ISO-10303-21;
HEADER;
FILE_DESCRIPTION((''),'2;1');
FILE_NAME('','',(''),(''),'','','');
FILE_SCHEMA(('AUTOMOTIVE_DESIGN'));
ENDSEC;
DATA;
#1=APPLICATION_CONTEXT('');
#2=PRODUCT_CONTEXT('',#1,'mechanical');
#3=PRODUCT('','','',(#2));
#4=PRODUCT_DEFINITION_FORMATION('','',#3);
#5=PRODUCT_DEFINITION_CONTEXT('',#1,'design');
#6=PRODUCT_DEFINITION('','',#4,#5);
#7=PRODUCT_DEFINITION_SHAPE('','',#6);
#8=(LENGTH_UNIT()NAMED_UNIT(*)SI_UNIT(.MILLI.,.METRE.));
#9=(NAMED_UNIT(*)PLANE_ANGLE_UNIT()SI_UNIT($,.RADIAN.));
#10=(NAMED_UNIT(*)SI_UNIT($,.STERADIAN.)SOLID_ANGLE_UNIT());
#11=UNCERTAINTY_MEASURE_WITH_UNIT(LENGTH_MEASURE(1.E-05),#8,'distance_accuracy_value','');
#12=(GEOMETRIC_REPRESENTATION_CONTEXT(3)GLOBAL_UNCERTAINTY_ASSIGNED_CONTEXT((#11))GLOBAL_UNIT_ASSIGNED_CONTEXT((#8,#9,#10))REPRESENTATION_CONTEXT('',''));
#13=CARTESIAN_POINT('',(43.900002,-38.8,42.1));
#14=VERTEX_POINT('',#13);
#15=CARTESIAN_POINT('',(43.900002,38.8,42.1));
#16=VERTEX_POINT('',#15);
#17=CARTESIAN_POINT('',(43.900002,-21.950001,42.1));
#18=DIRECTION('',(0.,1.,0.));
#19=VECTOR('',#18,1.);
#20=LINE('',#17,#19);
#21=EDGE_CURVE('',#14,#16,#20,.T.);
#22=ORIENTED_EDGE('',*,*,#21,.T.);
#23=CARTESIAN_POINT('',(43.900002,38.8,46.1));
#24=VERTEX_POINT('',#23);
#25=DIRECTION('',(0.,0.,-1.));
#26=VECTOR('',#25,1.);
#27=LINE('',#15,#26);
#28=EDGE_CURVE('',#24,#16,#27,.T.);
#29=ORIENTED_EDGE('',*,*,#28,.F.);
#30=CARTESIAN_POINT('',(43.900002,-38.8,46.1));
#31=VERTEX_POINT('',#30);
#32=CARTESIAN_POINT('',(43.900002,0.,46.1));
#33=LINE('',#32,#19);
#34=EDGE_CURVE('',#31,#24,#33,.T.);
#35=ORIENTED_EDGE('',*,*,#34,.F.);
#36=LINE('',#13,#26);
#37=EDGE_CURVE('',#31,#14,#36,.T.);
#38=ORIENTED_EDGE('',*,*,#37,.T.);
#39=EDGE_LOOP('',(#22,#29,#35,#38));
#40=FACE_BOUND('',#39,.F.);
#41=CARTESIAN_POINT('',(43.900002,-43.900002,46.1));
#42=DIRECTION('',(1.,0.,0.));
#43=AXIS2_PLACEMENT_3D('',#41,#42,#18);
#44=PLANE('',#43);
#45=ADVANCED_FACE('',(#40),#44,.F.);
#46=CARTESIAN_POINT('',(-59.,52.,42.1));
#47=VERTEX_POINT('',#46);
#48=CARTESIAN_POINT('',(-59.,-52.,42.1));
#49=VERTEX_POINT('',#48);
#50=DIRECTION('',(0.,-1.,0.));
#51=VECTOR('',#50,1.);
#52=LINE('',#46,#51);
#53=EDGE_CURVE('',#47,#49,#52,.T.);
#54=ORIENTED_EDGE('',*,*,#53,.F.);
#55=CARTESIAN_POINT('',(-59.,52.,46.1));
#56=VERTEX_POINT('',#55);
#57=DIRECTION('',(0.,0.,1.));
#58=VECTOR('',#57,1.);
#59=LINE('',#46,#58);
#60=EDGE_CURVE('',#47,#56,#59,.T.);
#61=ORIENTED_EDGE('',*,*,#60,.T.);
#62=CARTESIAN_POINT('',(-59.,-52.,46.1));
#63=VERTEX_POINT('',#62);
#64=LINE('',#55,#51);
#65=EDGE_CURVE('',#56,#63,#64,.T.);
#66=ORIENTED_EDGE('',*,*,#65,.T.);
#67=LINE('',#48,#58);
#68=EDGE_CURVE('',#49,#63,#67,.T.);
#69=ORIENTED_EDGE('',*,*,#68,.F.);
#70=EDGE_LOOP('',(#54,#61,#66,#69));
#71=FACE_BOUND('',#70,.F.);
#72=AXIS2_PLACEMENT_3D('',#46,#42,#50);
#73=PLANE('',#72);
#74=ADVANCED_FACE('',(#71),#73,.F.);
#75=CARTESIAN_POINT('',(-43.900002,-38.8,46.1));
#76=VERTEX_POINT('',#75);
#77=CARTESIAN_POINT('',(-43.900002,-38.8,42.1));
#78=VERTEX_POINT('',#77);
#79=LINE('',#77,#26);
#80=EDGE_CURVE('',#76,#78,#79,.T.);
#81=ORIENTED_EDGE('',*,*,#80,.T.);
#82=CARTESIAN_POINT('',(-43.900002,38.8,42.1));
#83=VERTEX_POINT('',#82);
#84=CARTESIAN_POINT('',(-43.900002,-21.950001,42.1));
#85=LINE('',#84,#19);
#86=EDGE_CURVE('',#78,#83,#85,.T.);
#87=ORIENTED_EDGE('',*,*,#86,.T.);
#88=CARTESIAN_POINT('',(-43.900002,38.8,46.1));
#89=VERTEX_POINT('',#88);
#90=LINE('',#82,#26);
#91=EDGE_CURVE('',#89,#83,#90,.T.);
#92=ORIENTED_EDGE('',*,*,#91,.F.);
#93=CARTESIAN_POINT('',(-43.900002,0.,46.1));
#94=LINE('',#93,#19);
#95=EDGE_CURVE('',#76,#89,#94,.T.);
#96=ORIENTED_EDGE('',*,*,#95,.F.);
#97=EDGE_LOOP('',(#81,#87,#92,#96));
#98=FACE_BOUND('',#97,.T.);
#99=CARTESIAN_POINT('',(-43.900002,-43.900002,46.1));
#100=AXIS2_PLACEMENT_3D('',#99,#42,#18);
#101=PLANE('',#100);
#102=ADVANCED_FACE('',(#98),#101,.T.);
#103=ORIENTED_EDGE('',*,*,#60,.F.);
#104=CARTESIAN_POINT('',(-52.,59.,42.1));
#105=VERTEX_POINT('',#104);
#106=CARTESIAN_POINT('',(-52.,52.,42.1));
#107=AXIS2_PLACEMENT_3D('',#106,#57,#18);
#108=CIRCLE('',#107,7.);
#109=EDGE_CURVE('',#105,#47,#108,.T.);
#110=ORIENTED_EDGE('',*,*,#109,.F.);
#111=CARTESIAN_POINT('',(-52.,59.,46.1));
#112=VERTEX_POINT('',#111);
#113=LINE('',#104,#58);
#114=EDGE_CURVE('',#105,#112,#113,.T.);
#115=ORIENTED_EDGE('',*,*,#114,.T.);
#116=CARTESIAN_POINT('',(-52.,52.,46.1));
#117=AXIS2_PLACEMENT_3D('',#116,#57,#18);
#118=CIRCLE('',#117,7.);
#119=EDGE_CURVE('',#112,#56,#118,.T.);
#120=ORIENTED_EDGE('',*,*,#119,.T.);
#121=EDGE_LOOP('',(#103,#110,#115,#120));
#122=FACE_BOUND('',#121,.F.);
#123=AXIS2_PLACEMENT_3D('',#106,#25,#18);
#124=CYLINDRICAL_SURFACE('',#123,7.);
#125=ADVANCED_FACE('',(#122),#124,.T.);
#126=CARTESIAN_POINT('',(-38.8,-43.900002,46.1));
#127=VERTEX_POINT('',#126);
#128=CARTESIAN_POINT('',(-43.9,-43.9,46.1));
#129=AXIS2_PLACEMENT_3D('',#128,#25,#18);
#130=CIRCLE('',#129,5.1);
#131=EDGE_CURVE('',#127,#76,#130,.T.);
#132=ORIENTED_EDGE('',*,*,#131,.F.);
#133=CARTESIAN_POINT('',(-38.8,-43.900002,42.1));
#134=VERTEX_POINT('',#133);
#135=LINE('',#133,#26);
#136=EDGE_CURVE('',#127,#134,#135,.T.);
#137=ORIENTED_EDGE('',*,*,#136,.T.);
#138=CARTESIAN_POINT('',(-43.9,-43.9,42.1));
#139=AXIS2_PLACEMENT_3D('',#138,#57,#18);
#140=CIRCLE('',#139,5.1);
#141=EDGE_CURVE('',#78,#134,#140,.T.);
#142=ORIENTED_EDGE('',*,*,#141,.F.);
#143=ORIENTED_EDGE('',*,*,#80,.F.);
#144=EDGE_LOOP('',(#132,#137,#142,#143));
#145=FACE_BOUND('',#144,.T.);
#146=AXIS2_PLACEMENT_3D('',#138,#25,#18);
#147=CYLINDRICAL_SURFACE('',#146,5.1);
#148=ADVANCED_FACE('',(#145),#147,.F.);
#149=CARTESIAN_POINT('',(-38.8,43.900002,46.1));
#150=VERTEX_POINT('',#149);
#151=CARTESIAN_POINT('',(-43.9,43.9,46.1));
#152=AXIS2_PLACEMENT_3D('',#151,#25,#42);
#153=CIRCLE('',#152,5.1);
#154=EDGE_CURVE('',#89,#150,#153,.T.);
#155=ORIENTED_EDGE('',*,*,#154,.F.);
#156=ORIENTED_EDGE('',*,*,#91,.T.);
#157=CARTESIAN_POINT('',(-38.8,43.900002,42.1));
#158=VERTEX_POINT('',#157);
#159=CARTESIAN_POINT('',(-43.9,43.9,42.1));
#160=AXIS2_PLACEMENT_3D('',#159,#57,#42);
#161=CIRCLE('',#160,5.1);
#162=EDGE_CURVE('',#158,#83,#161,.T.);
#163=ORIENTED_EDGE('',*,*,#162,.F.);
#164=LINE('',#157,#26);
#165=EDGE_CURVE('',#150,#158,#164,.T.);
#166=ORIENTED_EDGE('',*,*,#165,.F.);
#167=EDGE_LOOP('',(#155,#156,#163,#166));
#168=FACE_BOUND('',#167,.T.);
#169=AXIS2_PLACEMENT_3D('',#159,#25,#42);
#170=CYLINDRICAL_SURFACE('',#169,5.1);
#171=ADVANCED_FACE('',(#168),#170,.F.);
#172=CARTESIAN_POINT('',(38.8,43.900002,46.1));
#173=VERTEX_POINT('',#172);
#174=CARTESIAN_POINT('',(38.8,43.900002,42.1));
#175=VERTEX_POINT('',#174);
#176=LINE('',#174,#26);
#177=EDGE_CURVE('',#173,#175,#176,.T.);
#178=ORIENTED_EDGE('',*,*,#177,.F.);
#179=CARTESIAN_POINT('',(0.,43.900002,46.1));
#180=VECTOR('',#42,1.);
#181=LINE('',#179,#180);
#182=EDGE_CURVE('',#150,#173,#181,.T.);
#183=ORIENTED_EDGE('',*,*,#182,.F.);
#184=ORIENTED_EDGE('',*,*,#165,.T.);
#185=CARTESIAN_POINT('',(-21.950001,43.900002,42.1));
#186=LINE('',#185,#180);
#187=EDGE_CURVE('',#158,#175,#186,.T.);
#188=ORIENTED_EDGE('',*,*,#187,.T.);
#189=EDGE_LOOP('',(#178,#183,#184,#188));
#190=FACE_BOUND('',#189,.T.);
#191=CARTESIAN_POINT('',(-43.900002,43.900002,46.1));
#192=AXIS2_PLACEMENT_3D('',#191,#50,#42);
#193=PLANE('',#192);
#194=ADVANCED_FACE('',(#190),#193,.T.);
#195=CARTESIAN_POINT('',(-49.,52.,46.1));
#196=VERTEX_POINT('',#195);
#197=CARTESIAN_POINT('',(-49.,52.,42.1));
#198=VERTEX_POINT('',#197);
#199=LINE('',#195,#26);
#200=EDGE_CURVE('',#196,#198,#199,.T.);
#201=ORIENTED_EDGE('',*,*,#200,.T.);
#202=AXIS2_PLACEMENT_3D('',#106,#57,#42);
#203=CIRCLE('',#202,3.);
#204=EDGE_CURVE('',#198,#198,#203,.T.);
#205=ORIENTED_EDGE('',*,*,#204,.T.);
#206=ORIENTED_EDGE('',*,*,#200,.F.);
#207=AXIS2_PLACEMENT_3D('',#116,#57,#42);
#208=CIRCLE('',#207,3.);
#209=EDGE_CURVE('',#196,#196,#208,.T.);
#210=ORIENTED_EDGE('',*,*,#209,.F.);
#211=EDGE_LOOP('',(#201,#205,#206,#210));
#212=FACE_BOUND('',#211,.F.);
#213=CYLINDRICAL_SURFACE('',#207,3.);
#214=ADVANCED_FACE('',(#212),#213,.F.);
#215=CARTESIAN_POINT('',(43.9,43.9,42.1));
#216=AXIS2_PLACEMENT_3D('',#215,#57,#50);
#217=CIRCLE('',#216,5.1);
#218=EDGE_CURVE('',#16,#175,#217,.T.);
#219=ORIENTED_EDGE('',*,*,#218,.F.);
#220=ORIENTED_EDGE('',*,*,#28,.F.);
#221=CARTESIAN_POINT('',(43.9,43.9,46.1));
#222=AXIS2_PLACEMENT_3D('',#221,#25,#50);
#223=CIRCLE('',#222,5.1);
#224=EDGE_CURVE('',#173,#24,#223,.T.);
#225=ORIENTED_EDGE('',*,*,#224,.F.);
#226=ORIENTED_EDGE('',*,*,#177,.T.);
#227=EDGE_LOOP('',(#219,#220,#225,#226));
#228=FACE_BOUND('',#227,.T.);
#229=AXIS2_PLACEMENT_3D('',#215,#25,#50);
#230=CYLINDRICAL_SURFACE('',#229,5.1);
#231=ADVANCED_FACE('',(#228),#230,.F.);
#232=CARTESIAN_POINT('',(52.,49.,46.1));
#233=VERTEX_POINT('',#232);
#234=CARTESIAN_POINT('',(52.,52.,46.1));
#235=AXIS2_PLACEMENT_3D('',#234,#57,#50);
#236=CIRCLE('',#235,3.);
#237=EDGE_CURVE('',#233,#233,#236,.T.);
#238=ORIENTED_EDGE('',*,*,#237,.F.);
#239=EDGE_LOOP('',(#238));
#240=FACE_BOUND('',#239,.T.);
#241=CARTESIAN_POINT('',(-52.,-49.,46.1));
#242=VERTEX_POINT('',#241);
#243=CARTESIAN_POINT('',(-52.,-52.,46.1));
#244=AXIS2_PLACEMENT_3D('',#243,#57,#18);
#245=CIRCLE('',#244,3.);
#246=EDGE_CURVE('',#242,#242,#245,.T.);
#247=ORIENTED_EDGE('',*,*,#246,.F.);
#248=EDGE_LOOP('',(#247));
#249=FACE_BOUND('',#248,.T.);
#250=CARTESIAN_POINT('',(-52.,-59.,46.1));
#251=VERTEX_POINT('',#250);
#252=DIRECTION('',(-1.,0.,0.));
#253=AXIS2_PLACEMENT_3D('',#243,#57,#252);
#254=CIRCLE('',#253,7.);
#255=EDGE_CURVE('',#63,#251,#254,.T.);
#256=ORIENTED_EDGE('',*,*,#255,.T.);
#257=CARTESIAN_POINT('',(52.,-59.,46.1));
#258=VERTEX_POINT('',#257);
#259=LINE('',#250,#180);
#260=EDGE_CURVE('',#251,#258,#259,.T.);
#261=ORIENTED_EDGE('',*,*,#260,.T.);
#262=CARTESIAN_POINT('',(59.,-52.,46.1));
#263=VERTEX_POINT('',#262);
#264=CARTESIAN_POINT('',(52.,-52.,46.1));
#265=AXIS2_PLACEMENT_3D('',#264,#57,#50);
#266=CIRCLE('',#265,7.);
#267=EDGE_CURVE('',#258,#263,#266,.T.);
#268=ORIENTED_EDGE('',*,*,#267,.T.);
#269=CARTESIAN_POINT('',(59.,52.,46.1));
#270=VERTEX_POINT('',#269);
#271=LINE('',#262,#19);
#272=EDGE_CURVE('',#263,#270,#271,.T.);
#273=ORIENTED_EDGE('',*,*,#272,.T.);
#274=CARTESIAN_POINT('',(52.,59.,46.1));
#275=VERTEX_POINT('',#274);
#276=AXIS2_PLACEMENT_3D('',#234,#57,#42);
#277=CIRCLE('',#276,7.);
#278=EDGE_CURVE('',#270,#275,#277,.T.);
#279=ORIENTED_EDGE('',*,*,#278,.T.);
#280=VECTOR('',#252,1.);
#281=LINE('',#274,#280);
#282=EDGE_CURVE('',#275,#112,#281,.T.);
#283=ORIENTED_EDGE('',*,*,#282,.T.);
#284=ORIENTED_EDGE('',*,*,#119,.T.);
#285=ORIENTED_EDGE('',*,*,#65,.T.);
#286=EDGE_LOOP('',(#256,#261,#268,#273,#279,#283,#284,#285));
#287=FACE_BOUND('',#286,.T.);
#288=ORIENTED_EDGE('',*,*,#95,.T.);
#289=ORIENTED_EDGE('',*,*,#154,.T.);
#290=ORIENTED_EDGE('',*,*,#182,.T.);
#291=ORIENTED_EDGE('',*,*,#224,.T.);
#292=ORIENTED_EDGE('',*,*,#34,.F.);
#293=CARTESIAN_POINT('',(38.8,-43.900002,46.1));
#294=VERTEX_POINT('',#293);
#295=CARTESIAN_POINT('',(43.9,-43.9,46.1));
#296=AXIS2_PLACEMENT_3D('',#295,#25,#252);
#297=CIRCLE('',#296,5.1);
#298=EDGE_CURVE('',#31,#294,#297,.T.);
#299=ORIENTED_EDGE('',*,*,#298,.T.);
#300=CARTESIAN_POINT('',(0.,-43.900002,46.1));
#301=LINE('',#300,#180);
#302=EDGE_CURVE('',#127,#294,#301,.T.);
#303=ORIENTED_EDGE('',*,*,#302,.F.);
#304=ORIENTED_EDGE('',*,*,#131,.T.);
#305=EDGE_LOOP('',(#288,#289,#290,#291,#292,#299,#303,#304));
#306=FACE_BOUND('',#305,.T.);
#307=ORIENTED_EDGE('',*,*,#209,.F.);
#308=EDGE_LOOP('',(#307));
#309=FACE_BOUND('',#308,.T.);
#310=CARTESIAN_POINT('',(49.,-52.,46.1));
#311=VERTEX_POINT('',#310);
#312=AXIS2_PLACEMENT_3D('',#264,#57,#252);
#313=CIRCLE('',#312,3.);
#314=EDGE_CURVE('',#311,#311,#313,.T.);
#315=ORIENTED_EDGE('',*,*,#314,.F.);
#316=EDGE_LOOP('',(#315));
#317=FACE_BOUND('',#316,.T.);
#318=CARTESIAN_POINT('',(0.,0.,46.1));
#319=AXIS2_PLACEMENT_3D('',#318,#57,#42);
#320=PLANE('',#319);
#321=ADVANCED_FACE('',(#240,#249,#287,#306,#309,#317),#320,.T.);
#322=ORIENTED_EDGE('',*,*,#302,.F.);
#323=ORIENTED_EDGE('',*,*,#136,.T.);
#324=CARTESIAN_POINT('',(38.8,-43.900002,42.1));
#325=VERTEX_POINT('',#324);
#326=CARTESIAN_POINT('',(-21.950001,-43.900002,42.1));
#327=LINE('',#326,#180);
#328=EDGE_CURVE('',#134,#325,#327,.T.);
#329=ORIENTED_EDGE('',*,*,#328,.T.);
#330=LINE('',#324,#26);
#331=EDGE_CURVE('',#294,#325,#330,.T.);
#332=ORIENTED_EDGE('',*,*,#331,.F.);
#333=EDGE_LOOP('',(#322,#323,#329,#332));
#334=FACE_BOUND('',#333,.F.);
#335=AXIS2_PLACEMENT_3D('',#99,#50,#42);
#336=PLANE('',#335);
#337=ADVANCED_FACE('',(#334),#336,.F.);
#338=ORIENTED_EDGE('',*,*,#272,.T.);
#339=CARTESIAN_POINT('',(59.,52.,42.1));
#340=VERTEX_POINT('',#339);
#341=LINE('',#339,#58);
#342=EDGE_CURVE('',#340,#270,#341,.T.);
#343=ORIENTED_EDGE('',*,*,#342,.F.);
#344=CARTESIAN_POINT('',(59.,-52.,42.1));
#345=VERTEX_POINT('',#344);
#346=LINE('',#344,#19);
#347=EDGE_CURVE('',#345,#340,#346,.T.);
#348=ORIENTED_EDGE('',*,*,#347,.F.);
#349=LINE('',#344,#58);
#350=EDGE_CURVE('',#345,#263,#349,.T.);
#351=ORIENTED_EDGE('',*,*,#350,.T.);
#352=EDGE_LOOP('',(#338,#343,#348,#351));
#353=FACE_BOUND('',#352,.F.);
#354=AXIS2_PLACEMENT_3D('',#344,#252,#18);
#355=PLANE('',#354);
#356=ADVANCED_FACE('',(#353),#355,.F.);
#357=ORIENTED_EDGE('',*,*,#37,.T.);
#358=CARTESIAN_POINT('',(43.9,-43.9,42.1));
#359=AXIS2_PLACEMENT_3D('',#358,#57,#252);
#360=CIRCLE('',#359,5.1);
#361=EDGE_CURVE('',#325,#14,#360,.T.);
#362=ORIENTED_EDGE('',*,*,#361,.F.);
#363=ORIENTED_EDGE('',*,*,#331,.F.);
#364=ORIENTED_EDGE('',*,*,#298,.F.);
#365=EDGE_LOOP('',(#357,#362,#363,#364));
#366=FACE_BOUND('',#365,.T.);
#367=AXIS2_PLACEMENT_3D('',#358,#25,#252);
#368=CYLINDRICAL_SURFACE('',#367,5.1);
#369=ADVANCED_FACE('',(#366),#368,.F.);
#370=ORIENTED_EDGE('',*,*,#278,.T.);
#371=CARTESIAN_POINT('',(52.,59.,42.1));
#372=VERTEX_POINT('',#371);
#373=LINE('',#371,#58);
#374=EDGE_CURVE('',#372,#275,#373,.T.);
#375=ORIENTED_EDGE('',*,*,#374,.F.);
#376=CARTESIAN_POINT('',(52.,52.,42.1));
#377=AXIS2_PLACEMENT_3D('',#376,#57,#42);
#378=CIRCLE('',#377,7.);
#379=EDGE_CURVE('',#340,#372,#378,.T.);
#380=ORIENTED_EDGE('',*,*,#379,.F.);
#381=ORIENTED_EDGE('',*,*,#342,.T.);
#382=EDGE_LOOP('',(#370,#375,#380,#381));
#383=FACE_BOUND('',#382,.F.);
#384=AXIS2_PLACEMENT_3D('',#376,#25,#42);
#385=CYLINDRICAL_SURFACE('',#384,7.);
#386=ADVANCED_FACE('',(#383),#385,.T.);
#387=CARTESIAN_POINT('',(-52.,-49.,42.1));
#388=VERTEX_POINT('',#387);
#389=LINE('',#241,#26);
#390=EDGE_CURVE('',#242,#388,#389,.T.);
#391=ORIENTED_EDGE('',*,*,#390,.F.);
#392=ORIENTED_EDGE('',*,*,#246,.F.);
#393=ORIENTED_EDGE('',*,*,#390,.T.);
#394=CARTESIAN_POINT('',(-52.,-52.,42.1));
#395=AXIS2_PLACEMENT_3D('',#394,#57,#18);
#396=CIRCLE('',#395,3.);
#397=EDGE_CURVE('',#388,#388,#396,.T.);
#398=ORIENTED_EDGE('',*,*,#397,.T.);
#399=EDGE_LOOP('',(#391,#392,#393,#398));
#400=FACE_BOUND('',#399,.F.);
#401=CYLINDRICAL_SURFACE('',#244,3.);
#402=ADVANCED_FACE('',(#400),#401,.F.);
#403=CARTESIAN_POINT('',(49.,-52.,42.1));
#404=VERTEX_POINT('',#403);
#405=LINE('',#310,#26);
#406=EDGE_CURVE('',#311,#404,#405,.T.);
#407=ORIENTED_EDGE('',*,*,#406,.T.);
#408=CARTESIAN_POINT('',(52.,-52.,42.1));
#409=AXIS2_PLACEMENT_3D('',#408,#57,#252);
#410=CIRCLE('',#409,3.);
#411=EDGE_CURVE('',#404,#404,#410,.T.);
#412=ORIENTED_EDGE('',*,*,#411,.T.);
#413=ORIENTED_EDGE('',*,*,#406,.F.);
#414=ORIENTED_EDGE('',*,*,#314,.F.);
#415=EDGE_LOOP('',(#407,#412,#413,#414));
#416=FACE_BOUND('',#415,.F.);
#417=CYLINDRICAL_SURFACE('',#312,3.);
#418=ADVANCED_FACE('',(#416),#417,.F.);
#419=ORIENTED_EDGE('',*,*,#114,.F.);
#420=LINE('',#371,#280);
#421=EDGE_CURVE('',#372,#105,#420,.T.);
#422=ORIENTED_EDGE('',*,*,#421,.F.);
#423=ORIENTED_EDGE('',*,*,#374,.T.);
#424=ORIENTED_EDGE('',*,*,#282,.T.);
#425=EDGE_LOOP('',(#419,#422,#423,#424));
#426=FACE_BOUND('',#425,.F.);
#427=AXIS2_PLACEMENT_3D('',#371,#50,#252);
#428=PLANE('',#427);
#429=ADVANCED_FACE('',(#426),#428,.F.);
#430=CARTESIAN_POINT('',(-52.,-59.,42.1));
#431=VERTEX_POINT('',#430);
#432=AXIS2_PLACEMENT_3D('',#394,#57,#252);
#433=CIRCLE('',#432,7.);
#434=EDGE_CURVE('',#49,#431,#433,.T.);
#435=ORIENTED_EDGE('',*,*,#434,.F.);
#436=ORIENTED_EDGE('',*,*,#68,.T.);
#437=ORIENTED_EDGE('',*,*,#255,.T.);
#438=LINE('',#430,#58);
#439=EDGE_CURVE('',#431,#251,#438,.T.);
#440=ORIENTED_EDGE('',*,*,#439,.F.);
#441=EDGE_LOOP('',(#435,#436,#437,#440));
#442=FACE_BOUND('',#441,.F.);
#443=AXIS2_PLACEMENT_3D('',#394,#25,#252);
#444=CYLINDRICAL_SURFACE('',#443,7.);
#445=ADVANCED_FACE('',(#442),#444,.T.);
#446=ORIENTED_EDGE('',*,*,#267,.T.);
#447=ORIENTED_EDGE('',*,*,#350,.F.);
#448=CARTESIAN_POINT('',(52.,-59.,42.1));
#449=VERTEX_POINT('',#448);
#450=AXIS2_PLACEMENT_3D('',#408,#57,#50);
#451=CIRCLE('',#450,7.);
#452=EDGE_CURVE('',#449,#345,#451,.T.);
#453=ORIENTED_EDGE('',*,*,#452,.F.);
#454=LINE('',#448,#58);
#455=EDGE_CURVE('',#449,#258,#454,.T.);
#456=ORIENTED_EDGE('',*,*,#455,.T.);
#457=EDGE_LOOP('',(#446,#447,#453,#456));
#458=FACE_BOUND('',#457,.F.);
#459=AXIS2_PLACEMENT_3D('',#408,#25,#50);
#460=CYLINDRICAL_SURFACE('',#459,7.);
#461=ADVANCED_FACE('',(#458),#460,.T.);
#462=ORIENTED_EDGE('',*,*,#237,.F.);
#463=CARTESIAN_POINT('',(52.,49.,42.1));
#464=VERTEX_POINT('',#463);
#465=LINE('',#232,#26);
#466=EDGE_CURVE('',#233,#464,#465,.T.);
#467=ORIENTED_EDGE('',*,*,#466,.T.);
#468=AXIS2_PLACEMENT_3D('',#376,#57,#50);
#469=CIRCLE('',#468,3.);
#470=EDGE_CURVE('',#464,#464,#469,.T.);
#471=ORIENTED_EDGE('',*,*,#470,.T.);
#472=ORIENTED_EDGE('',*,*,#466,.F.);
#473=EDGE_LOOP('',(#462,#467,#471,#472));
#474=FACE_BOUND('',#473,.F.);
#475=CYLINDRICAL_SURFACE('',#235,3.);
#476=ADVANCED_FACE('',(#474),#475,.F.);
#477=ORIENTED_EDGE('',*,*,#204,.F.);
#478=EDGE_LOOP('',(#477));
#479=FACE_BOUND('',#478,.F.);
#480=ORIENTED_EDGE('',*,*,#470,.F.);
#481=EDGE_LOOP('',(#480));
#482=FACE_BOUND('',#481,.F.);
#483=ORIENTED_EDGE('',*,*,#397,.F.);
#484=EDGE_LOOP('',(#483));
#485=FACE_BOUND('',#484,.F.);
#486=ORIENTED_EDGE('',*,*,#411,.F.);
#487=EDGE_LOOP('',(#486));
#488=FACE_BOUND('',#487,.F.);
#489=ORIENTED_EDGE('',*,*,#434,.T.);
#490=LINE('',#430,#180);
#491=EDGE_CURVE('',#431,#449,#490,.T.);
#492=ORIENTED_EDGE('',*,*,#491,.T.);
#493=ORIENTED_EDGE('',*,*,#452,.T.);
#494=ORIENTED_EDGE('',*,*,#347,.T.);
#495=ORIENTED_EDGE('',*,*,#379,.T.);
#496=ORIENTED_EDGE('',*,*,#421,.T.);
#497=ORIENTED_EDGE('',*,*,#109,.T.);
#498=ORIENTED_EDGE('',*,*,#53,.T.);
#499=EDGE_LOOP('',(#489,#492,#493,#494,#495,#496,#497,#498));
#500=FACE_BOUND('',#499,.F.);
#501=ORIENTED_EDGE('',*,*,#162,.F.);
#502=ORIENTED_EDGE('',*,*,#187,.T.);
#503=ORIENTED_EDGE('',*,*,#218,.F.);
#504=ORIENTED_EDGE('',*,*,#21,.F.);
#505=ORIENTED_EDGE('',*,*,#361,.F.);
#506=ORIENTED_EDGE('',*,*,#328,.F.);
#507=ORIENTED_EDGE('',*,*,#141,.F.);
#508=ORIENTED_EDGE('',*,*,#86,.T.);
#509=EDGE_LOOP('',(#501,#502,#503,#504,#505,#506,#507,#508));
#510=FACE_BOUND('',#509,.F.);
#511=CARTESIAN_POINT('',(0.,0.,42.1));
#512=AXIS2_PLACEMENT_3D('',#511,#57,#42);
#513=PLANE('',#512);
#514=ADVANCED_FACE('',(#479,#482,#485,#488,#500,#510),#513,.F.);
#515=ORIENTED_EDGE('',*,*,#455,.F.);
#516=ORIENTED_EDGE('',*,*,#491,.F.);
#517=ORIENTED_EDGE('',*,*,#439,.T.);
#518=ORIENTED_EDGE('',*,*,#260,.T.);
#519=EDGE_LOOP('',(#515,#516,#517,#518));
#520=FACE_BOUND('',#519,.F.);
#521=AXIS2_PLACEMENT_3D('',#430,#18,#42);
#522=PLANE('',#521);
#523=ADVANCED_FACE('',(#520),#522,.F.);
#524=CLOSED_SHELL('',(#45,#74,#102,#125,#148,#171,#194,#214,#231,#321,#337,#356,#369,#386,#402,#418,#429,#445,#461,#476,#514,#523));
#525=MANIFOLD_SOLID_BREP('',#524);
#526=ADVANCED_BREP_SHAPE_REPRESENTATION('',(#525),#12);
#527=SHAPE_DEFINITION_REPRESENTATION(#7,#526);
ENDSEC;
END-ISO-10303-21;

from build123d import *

# Parameters (mm, degrees)
PAD017_DEPTH          = 4
SKETCH037_R           = 5.1
POCKET015_DEPTH       = 5
POLARPATTERN010_COUNT = 4
SKETCH038_W           = 87.800004
SKETCH038_H           = 87.800004
POCKET016_DEPTH       = 5
SKETCH039_R           = 3
POCKET017_DEPTH       = 337.8512658378
POLARPATTERN011_COUNT = 4


with BuildPart() as part:
    # Sketch036 → Pad017 (new body)
    with BuildSketch(Plane.XY):
        with BuildLine():
            Line((-59, 52), (-59, -52))
            ThreePointArc((-59, -52), (-56.9497474683, -56.9497474683), (-52, -59))
            Line((-52, -59), (52, -59))
            ThreePointArc((52, -59), (56.9497474683, -56.9497474683), (59, -52))
            Line((59, -52), (59, 52))
            ThreePointArc((59, 52), (56.9497474683, 56.9497474683), (52, 59))
            Line((52, 59), (-52, 59))
            ThreePointArc((-52, 59), (-56.9497474683, 56.9497474683), (-59, 52))
        make_face()
    extrude(amount=PAD017_DEPTH)

    # Sketch037 → Pocket015 (cut)
    with BuildSketch(Plane.XY):
        with Locations((-43.9, 43.9)):
            Circle(SKETCH037_R)
    pocket015 = extrude(amount=POCKET015_DEPTH, mode=Mode.SUBTRACT)

    # PolarPattern010: Pocket015 ×4 about axis
    polarpattern010_axis = Axis((0, 0, 0), (0, 0, 1))
    for i in range(1, POLARPATTERN010_COUNT):
        add(pocket015.rotate(polarpattern010_axis, i * 360 / POLARPATTERN010_COUNT), mode=Mode.SUBTRACT)

    # Sketch038 (on Face5 of PolarPattern010) → Pocket016 (cut)
    with BuildSketch(Plane.XY.offset(4)):
        Rectangle(SKETCH038_W, SKETCH038_H)
    extrude(amount=-POCKET016_DEPTH, mode=Mode.SUBTRACT)

    # Sketch039 (on Face5 of Pocket016) → Pocket017 (cut, through all)
    with BuildSketch(Plane.XY.offset(4)):
        with Locations((-52, 52)):
            Circle(SKETCH039_R)
    pocket017 = extrude(amount=-POCKET017_DEPTH, mode=Mode.SUBTRACT)

    # PolarPattern011: Pocket017 ×4 about axis
    polarpattern011_axis = Axis((0, 0, 4), (0, 0, 1))
    for i in range(1, POLARPATTERN011_COUNT):
        add(pocket017.rotate(polarpattern011_axis, i * 360 / POLARPATTERN011_COUNT), mode=Mode.SUBTRACT)


with BuildPart() as part_1:
    # Body006 placement: moved
    add(part.part.moved(Location((0, 0, 42.1))))


solid = part_1.part
